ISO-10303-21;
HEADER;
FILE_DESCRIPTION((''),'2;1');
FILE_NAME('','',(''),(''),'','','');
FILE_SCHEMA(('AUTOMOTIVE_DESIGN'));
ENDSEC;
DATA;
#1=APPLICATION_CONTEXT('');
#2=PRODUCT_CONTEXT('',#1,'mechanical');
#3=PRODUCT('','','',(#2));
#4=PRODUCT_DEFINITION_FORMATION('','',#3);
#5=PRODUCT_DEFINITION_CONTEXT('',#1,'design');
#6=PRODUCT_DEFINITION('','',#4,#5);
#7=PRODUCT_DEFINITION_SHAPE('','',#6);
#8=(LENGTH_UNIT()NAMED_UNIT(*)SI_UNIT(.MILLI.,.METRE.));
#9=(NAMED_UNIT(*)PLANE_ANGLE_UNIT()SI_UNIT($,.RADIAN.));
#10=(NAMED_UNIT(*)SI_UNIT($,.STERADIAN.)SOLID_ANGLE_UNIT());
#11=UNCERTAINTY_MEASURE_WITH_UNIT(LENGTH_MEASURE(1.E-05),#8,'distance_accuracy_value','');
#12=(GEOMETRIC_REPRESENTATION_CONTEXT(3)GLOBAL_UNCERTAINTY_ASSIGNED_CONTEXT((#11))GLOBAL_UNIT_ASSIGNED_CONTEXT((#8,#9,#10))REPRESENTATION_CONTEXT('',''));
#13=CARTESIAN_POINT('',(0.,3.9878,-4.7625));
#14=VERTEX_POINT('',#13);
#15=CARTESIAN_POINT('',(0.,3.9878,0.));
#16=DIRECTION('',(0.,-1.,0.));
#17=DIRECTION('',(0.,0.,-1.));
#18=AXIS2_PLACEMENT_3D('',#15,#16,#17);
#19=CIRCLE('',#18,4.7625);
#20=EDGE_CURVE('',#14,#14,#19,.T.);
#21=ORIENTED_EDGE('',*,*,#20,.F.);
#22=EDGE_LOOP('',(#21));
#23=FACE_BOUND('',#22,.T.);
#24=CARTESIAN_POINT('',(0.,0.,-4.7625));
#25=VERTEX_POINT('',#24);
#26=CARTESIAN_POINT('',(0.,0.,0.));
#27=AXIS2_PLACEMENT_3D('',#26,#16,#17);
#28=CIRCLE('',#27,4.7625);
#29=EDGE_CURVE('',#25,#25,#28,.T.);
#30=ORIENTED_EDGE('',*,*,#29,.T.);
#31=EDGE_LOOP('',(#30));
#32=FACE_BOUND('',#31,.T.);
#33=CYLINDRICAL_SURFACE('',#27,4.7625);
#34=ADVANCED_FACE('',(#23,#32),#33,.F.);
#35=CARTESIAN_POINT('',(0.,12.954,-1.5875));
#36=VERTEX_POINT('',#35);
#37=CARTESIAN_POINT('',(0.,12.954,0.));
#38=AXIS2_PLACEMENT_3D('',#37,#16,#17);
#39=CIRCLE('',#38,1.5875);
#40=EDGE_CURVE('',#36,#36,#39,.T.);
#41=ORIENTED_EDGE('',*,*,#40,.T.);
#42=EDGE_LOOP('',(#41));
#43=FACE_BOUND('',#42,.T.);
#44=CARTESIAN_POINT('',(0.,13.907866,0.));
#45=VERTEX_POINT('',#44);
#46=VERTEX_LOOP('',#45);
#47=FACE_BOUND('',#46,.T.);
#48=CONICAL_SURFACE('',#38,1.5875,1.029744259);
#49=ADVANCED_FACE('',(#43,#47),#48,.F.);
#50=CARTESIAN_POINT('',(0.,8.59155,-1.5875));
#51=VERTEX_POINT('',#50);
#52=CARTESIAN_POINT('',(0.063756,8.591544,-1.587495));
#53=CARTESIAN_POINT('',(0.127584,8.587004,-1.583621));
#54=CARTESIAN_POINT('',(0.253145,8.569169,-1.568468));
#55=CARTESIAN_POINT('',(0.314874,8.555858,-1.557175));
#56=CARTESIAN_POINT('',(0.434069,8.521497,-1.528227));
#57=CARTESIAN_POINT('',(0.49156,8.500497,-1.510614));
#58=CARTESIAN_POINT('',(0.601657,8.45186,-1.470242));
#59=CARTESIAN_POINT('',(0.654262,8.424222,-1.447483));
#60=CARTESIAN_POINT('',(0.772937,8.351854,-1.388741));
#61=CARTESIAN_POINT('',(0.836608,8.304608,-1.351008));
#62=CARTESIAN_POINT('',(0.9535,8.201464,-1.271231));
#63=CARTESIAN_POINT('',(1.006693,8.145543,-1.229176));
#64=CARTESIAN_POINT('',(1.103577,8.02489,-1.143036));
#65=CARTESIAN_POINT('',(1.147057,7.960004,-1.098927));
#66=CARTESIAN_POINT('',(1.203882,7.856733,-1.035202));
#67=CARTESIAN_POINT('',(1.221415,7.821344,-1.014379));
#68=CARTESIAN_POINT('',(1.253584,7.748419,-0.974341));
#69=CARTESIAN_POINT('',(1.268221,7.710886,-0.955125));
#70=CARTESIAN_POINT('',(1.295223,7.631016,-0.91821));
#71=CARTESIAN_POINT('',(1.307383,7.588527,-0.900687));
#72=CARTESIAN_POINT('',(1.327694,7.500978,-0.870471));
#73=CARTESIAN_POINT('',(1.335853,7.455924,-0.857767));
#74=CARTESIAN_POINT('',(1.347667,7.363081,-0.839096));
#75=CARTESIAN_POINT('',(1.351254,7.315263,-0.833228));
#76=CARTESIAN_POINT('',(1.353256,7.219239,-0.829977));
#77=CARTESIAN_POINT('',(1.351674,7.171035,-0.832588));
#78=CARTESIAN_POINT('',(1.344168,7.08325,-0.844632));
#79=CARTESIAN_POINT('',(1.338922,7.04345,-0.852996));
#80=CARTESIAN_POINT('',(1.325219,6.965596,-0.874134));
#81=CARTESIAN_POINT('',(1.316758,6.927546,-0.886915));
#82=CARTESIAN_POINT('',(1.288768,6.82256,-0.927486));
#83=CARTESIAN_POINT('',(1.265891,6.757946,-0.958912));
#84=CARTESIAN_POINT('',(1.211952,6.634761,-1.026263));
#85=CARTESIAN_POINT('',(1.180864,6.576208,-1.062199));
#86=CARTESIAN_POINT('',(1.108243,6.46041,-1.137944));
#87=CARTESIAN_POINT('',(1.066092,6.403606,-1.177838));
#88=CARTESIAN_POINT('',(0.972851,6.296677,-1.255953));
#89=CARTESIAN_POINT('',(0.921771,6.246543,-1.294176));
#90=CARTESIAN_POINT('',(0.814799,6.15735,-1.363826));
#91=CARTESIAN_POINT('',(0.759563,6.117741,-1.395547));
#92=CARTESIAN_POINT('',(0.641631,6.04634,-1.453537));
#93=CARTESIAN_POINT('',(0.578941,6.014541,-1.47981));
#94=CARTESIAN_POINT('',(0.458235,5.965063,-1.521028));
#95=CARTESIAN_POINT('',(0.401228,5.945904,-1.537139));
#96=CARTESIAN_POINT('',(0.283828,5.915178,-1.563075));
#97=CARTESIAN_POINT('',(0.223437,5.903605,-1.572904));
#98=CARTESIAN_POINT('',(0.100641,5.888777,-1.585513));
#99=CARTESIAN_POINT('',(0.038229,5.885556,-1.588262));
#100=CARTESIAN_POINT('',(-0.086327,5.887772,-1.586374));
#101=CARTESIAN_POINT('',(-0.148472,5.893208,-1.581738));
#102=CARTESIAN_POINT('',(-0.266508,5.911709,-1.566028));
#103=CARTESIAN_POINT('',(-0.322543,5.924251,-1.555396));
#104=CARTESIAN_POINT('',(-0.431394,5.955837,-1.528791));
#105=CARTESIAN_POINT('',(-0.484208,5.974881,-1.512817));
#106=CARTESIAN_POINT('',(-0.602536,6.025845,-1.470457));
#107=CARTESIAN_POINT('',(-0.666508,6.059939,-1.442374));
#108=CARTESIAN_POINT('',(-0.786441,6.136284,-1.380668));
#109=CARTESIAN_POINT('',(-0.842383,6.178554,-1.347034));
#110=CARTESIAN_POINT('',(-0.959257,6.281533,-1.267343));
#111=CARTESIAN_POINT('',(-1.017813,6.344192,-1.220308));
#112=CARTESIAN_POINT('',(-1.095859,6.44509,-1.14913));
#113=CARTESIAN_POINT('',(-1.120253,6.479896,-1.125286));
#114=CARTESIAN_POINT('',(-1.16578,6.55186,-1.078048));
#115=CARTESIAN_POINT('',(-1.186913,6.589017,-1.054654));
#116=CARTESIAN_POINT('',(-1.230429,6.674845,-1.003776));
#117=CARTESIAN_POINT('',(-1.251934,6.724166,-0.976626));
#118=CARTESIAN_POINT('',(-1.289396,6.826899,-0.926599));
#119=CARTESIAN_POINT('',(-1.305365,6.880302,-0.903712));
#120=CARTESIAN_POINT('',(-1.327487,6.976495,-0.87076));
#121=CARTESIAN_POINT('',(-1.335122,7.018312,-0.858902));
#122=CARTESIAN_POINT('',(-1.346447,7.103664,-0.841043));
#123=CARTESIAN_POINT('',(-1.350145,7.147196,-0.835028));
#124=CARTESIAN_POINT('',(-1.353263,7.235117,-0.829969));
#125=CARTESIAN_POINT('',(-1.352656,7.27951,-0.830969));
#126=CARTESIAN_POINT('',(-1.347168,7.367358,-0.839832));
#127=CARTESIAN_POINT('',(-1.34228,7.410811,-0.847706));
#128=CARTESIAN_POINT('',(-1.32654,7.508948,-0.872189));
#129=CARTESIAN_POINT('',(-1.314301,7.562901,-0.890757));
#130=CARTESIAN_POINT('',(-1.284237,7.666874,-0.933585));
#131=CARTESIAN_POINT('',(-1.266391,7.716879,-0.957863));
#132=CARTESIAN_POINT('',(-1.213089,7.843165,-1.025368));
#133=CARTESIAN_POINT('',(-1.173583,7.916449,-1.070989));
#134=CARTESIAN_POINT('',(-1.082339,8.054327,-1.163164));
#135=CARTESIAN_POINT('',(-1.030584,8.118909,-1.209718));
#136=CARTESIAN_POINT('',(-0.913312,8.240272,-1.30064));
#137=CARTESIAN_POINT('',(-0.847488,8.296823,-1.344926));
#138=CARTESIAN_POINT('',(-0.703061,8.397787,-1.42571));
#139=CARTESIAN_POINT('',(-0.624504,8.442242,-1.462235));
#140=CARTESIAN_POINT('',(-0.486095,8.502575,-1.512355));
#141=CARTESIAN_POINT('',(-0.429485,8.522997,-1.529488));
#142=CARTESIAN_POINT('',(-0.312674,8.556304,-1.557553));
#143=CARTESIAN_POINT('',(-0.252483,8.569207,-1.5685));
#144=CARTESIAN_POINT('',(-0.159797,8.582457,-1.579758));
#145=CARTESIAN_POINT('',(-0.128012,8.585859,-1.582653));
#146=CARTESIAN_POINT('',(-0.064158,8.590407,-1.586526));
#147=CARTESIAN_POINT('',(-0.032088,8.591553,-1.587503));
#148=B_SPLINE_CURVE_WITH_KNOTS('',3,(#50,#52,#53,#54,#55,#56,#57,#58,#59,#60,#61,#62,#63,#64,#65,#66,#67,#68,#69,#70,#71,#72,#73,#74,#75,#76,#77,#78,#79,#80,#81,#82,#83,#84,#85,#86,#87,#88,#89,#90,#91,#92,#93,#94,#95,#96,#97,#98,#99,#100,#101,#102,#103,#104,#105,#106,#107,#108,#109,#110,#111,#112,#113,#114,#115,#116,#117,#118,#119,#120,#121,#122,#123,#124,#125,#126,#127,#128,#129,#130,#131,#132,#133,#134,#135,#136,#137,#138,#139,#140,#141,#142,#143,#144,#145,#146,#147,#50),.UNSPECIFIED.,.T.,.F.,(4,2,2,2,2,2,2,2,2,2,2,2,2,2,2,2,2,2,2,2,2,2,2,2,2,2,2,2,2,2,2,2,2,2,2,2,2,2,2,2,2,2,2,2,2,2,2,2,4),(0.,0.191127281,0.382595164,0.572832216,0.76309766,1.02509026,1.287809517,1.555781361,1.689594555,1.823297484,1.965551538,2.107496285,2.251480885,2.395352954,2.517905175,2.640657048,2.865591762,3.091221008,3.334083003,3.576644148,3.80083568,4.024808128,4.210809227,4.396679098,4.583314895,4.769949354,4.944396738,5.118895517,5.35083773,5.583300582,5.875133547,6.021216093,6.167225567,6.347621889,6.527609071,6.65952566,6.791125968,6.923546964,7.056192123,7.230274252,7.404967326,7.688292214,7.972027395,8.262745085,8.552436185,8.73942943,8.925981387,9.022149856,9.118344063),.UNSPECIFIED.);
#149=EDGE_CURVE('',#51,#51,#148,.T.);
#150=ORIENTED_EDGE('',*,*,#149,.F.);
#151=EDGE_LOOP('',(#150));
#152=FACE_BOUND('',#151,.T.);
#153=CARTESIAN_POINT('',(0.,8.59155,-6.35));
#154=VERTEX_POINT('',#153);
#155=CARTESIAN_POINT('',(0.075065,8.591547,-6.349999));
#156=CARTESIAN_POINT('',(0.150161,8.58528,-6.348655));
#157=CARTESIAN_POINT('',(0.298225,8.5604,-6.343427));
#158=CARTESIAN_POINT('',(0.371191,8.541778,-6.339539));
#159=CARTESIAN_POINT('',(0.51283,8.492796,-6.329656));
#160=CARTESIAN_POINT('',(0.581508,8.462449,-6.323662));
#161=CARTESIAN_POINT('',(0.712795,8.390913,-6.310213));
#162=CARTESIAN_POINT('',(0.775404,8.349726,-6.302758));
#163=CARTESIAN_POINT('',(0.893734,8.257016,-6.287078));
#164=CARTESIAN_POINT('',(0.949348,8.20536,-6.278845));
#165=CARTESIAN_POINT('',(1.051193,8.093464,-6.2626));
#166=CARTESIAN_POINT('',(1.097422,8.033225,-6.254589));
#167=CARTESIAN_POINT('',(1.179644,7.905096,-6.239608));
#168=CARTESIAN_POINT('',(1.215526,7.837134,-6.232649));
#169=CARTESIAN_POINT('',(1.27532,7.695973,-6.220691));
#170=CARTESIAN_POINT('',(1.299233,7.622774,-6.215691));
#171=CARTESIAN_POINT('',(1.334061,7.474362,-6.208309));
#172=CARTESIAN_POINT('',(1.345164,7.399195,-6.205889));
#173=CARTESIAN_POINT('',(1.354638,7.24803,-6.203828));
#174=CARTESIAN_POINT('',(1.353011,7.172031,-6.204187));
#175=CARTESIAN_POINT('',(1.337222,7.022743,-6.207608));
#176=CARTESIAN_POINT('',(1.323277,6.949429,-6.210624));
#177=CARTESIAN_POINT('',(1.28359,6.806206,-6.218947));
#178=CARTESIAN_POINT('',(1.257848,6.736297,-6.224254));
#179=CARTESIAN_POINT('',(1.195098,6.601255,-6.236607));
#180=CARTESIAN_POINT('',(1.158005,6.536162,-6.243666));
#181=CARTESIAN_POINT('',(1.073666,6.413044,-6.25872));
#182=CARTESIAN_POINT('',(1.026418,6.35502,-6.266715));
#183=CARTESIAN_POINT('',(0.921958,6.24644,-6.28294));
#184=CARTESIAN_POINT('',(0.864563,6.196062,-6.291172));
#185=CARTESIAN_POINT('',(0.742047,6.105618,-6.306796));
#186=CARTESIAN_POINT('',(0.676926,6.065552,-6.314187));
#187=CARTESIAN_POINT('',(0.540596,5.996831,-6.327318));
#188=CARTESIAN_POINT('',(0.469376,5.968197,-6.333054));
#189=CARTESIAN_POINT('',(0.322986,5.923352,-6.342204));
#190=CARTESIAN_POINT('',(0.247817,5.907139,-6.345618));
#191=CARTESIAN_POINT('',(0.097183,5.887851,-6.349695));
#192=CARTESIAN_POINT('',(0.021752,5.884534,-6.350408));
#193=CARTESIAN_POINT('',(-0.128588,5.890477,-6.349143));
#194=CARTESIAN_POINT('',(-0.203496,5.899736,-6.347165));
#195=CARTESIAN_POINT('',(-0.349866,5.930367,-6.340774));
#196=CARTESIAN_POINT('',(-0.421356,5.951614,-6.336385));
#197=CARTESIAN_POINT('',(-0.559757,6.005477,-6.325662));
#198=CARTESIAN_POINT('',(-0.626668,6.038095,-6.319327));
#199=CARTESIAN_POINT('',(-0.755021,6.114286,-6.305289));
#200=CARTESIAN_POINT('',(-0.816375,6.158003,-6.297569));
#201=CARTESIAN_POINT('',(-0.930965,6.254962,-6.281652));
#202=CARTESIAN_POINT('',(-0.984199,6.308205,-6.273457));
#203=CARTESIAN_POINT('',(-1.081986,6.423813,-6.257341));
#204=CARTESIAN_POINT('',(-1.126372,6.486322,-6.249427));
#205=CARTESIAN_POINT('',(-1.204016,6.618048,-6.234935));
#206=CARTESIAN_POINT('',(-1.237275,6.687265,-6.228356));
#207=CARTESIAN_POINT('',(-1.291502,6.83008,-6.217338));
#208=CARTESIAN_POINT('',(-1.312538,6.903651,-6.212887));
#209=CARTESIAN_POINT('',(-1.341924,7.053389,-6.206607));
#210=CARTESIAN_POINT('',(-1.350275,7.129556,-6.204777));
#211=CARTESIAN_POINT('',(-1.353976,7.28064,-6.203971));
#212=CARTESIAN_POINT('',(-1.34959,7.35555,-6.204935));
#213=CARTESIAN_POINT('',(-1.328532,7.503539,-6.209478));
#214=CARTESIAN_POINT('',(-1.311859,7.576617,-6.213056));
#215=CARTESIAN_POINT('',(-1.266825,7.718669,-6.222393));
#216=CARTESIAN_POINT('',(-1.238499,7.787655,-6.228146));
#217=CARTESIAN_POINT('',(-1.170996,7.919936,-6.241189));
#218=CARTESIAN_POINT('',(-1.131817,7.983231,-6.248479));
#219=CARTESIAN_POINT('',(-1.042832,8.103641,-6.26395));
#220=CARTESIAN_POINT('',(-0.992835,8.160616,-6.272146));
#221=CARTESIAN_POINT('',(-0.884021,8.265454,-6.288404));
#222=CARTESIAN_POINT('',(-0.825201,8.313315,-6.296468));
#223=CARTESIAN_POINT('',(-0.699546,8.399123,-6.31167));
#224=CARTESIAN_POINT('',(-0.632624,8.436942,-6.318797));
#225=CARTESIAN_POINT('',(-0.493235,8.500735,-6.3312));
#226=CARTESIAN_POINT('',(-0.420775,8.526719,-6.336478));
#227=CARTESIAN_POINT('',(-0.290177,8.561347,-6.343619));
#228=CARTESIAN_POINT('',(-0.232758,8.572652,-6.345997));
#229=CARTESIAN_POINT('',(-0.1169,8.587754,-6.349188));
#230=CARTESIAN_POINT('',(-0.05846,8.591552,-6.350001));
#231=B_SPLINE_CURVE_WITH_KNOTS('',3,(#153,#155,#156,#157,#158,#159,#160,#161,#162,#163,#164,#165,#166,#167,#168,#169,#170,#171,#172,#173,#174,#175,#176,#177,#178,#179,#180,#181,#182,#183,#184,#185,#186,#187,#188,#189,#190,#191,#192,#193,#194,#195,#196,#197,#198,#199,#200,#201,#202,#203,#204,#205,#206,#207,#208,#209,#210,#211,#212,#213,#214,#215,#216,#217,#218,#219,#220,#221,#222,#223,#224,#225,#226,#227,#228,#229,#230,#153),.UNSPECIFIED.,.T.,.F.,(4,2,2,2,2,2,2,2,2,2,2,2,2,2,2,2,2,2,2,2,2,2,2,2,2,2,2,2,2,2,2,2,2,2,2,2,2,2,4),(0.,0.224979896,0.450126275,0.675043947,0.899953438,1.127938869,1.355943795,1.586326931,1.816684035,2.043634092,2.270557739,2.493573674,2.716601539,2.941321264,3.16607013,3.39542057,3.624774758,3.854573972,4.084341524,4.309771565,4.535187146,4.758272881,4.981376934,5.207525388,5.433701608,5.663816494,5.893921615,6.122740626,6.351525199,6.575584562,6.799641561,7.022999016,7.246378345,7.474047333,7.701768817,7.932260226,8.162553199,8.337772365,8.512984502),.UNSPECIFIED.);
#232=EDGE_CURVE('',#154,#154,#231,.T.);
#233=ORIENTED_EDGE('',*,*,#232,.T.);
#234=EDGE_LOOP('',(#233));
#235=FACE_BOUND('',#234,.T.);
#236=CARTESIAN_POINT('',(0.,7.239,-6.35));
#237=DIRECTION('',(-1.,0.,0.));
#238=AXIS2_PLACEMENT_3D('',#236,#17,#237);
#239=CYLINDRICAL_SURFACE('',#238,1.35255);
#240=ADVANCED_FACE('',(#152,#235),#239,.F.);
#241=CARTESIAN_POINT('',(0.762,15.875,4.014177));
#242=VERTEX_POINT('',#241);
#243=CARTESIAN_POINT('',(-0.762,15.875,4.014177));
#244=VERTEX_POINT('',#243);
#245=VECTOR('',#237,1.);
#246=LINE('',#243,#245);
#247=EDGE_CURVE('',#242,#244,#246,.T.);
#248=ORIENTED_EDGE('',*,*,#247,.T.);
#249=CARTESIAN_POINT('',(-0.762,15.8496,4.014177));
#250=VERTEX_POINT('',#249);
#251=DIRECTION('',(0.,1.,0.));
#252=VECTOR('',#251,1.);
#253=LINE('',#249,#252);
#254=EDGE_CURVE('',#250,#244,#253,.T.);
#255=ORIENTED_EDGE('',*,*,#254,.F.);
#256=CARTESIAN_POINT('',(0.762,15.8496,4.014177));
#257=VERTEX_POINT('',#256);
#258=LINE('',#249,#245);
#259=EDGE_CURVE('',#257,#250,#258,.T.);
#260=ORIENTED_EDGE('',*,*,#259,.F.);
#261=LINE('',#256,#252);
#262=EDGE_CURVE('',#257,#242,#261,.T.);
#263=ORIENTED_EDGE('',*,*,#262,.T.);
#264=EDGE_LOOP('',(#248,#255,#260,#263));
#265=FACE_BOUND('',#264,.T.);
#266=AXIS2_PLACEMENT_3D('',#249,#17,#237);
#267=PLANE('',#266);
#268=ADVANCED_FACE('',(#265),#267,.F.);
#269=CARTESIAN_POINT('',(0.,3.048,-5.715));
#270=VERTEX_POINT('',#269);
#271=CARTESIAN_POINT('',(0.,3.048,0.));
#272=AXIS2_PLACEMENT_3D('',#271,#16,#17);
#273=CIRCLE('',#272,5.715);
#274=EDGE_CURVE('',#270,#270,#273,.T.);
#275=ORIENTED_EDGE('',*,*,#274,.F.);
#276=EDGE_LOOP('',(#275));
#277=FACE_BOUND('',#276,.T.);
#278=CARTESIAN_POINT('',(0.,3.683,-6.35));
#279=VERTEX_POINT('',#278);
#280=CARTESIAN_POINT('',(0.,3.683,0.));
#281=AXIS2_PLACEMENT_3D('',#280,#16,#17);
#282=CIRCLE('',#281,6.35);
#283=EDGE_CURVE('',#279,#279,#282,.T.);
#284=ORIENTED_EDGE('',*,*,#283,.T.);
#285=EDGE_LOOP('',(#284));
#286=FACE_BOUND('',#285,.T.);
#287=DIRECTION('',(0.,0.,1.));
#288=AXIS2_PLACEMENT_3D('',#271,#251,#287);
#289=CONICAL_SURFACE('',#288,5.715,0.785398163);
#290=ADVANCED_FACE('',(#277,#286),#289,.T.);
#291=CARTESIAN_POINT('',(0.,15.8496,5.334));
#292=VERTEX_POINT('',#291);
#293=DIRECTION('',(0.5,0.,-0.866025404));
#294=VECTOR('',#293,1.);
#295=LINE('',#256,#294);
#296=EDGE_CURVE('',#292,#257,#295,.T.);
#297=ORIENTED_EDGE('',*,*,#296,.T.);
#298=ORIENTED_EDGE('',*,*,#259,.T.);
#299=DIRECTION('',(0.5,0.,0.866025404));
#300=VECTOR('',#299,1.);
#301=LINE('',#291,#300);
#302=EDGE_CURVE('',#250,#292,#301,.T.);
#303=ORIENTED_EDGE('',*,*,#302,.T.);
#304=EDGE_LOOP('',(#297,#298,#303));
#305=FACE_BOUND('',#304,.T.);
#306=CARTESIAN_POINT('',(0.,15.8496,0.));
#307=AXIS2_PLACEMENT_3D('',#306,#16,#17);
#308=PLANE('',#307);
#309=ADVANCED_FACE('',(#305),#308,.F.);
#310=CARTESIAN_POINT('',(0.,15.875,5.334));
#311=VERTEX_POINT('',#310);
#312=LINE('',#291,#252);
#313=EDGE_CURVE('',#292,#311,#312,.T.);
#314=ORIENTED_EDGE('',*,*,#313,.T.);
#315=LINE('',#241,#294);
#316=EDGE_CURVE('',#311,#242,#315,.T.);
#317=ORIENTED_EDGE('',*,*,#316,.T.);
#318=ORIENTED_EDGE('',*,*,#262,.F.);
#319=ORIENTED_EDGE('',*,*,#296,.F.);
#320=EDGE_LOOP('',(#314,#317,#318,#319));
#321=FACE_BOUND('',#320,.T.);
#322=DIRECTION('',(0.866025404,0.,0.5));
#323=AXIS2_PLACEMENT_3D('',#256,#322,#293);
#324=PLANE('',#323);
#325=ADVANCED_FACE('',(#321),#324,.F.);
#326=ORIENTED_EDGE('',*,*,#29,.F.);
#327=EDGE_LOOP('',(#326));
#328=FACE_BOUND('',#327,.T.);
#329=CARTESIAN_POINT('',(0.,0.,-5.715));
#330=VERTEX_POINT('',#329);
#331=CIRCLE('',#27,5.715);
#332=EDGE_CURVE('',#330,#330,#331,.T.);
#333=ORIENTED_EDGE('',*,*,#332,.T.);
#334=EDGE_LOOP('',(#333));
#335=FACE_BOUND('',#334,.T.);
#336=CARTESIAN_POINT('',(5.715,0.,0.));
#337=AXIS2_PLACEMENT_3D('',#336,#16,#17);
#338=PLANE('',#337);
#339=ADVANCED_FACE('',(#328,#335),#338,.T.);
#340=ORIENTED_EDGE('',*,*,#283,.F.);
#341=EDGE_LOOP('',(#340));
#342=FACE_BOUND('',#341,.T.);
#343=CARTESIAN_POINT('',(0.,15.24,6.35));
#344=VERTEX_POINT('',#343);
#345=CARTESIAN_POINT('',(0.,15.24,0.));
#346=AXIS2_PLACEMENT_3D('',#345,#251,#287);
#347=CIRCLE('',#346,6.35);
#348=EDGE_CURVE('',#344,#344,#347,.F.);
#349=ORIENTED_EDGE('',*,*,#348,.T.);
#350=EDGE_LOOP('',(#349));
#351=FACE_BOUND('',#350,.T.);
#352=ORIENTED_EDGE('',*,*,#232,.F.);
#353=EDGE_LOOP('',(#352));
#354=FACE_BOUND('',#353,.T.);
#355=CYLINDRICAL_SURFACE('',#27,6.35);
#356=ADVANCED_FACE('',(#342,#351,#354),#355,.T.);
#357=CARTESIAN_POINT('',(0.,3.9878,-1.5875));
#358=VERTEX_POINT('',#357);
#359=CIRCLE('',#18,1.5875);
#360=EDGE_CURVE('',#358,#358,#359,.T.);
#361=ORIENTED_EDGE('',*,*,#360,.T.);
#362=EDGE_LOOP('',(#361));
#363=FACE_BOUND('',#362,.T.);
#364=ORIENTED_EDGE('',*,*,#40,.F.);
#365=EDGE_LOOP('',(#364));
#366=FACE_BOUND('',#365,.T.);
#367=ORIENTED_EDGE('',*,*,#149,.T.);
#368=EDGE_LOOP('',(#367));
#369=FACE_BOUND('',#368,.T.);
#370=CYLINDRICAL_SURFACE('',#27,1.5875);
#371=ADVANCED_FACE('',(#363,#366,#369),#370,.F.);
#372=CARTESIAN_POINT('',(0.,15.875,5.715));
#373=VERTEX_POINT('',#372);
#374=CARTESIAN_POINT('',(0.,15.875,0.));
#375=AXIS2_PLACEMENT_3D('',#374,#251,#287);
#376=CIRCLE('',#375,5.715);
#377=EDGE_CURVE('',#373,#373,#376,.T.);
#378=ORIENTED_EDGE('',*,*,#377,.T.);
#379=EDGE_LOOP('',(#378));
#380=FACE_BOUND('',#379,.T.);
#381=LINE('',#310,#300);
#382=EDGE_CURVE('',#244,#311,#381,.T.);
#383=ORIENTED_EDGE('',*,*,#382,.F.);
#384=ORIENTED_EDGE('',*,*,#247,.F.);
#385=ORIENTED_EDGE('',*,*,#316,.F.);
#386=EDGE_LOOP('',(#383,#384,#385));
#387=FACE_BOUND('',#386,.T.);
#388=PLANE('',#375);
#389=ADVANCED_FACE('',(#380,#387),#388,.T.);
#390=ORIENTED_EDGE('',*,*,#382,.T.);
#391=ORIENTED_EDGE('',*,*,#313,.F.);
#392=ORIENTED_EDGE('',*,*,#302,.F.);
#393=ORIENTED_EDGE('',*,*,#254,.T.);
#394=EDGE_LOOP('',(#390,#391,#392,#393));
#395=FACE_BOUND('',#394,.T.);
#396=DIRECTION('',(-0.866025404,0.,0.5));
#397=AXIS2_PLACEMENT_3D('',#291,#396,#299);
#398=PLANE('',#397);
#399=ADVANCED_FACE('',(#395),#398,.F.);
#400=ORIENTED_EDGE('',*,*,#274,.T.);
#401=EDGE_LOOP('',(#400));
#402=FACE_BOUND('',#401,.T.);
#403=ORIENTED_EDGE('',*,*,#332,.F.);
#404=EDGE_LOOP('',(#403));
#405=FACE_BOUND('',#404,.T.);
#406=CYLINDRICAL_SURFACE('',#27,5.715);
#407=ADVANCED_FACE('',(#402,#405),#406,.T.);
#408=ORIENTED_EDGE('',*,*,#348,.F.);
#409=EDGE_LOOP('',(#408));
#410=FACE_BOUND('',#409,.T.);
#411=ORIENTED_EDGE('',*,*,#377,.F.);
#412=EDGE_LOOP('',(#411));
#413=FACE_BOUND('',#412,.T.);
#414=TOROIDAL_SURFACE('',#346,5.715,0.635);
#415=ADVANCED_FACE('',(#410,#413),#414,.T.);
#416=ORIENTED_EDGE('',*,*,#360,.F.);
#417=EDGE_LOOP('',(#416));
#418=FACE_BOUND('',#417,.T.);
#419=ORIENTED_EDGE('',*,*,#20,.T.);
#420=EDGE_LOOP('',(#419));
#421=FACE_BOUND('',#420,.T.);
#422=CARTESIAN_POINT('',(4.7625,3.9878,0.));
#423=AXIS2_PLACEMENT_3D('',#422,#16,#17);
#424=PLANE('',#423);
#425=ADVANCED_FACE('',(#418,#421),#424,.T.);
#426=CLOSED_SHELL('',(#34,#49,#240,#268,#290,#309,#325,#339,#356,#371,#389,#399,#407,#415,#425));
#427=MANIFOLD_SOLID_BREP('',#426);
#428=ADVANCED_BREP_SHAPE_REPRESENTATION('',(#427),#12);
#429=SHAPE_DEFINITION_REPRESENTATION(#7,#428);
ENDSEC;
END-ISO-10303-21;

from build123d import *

# Parameters (mm, degrees)
F_1_8_0_125_DIAMETER_HOLE1_D     = 3.175
F_1_8_0_125_DIAMETER_HOLE1_DEPTH = 12.954
F_1_8_0_125_DIAMETER_HOLE1_TIP   = 0.953866233
F_6_32_TAPPED_HOLE1_D            = 2.7051
F_6_32_TAPPED_HOLE1_DEPTH        = 6.349
F_6_32_TAPPED_HOLE1_TIP          = 0.81269403
FILLET1_R                        = 0.635
CUT_EXTRUDE1_DEPTH               = 0.0254


with BuildPart() as part:
    # Sketch1 → Revolve1 (revolve)
    with BuildSketch(Plane.XY):
        Polygon((0, 15.875), (6.35, 15.875), (6.35, 3.683), (5.715, 3.048), (5.715, 0), (4.7625, 0), (4.7625, 3.9878), (0, 3.9878), align=None)
    revolve(axis=Axis((0, 0, 0), (0, 1, 0)))

    # 1/8 (0.125) Diameter Hole1
    with Locations(Plane(origin=(0, 0, 0), x_dir=(-1, 0, 0), z_dir=(0, -1, 0))):
        with Locations((0, 0)):
            Hole(F_1_8_0_125_DIAMETER_HOLE1_D / 2, depth=F_1_8_0_125_DIAMETER_HOLE1_DEPTH)
            with Locations((0, 0, -(F_1_8_0_125_DIAMETER_HOLE1_DEPTH + F_1_8_0_125_DIAMETER_HOLE1_TIP / 2))):  # 118° drill point
                Cone(0, F_1_8_0_125_DIAMETER_HOLE1_D / 2, F_1_8_0_125_DIAMETER_HOLE1_TIP, mode=Mode.SUBTRACT)

    # #6-32 Tapped Hole1
    with Locations(Plane(origin=(0, 0, -6.35), x_dir=(-1, 0, 0), z_dir=(0, 0, -1))):
        with Locations((0, 7.239)):
            Hole(F_6_32_TAPPED_HOLE1_D / 2, depth=F_6_32_TAPPED_HOLE1_DEPTH)
            with Locations((0, 0, -(F_6_32_TAPPED_HOLE1_DEPTH + F_6_32_TAPPED_HOLE1_TIP / 2))):  # 118° drill point
                Cone(0, F_6_32_TAPPED_HOLE1_D / 2, F_6_32_TAPPED_HOLE1_TIP, mode=Mode.SUBTRACT)

    # Fillet1
    fillet1_edges = [part.edges().sort_by_distance(p)[0] for p in [
        (-6.35, 15.875, 0),
    ]]
    fillet(fillet1_edges, radius=FILLET1_R)

    # Sketch6 → Cut-Extrude1 (cut)
    with BuildSketch(Plane(origin=(0, 15.875, 0), x_dir=(1, 0, 0), z_dir=(0, 1, 0))):
        Polygon((0, -5.334), (-0.762, -4.014177285), (0.762, -4.014177285), align=None)
    extrude(amount=-CUT_EXTRUDE1_DEPTH, mode=Mode.SUBTRACT)


solid = part.part
